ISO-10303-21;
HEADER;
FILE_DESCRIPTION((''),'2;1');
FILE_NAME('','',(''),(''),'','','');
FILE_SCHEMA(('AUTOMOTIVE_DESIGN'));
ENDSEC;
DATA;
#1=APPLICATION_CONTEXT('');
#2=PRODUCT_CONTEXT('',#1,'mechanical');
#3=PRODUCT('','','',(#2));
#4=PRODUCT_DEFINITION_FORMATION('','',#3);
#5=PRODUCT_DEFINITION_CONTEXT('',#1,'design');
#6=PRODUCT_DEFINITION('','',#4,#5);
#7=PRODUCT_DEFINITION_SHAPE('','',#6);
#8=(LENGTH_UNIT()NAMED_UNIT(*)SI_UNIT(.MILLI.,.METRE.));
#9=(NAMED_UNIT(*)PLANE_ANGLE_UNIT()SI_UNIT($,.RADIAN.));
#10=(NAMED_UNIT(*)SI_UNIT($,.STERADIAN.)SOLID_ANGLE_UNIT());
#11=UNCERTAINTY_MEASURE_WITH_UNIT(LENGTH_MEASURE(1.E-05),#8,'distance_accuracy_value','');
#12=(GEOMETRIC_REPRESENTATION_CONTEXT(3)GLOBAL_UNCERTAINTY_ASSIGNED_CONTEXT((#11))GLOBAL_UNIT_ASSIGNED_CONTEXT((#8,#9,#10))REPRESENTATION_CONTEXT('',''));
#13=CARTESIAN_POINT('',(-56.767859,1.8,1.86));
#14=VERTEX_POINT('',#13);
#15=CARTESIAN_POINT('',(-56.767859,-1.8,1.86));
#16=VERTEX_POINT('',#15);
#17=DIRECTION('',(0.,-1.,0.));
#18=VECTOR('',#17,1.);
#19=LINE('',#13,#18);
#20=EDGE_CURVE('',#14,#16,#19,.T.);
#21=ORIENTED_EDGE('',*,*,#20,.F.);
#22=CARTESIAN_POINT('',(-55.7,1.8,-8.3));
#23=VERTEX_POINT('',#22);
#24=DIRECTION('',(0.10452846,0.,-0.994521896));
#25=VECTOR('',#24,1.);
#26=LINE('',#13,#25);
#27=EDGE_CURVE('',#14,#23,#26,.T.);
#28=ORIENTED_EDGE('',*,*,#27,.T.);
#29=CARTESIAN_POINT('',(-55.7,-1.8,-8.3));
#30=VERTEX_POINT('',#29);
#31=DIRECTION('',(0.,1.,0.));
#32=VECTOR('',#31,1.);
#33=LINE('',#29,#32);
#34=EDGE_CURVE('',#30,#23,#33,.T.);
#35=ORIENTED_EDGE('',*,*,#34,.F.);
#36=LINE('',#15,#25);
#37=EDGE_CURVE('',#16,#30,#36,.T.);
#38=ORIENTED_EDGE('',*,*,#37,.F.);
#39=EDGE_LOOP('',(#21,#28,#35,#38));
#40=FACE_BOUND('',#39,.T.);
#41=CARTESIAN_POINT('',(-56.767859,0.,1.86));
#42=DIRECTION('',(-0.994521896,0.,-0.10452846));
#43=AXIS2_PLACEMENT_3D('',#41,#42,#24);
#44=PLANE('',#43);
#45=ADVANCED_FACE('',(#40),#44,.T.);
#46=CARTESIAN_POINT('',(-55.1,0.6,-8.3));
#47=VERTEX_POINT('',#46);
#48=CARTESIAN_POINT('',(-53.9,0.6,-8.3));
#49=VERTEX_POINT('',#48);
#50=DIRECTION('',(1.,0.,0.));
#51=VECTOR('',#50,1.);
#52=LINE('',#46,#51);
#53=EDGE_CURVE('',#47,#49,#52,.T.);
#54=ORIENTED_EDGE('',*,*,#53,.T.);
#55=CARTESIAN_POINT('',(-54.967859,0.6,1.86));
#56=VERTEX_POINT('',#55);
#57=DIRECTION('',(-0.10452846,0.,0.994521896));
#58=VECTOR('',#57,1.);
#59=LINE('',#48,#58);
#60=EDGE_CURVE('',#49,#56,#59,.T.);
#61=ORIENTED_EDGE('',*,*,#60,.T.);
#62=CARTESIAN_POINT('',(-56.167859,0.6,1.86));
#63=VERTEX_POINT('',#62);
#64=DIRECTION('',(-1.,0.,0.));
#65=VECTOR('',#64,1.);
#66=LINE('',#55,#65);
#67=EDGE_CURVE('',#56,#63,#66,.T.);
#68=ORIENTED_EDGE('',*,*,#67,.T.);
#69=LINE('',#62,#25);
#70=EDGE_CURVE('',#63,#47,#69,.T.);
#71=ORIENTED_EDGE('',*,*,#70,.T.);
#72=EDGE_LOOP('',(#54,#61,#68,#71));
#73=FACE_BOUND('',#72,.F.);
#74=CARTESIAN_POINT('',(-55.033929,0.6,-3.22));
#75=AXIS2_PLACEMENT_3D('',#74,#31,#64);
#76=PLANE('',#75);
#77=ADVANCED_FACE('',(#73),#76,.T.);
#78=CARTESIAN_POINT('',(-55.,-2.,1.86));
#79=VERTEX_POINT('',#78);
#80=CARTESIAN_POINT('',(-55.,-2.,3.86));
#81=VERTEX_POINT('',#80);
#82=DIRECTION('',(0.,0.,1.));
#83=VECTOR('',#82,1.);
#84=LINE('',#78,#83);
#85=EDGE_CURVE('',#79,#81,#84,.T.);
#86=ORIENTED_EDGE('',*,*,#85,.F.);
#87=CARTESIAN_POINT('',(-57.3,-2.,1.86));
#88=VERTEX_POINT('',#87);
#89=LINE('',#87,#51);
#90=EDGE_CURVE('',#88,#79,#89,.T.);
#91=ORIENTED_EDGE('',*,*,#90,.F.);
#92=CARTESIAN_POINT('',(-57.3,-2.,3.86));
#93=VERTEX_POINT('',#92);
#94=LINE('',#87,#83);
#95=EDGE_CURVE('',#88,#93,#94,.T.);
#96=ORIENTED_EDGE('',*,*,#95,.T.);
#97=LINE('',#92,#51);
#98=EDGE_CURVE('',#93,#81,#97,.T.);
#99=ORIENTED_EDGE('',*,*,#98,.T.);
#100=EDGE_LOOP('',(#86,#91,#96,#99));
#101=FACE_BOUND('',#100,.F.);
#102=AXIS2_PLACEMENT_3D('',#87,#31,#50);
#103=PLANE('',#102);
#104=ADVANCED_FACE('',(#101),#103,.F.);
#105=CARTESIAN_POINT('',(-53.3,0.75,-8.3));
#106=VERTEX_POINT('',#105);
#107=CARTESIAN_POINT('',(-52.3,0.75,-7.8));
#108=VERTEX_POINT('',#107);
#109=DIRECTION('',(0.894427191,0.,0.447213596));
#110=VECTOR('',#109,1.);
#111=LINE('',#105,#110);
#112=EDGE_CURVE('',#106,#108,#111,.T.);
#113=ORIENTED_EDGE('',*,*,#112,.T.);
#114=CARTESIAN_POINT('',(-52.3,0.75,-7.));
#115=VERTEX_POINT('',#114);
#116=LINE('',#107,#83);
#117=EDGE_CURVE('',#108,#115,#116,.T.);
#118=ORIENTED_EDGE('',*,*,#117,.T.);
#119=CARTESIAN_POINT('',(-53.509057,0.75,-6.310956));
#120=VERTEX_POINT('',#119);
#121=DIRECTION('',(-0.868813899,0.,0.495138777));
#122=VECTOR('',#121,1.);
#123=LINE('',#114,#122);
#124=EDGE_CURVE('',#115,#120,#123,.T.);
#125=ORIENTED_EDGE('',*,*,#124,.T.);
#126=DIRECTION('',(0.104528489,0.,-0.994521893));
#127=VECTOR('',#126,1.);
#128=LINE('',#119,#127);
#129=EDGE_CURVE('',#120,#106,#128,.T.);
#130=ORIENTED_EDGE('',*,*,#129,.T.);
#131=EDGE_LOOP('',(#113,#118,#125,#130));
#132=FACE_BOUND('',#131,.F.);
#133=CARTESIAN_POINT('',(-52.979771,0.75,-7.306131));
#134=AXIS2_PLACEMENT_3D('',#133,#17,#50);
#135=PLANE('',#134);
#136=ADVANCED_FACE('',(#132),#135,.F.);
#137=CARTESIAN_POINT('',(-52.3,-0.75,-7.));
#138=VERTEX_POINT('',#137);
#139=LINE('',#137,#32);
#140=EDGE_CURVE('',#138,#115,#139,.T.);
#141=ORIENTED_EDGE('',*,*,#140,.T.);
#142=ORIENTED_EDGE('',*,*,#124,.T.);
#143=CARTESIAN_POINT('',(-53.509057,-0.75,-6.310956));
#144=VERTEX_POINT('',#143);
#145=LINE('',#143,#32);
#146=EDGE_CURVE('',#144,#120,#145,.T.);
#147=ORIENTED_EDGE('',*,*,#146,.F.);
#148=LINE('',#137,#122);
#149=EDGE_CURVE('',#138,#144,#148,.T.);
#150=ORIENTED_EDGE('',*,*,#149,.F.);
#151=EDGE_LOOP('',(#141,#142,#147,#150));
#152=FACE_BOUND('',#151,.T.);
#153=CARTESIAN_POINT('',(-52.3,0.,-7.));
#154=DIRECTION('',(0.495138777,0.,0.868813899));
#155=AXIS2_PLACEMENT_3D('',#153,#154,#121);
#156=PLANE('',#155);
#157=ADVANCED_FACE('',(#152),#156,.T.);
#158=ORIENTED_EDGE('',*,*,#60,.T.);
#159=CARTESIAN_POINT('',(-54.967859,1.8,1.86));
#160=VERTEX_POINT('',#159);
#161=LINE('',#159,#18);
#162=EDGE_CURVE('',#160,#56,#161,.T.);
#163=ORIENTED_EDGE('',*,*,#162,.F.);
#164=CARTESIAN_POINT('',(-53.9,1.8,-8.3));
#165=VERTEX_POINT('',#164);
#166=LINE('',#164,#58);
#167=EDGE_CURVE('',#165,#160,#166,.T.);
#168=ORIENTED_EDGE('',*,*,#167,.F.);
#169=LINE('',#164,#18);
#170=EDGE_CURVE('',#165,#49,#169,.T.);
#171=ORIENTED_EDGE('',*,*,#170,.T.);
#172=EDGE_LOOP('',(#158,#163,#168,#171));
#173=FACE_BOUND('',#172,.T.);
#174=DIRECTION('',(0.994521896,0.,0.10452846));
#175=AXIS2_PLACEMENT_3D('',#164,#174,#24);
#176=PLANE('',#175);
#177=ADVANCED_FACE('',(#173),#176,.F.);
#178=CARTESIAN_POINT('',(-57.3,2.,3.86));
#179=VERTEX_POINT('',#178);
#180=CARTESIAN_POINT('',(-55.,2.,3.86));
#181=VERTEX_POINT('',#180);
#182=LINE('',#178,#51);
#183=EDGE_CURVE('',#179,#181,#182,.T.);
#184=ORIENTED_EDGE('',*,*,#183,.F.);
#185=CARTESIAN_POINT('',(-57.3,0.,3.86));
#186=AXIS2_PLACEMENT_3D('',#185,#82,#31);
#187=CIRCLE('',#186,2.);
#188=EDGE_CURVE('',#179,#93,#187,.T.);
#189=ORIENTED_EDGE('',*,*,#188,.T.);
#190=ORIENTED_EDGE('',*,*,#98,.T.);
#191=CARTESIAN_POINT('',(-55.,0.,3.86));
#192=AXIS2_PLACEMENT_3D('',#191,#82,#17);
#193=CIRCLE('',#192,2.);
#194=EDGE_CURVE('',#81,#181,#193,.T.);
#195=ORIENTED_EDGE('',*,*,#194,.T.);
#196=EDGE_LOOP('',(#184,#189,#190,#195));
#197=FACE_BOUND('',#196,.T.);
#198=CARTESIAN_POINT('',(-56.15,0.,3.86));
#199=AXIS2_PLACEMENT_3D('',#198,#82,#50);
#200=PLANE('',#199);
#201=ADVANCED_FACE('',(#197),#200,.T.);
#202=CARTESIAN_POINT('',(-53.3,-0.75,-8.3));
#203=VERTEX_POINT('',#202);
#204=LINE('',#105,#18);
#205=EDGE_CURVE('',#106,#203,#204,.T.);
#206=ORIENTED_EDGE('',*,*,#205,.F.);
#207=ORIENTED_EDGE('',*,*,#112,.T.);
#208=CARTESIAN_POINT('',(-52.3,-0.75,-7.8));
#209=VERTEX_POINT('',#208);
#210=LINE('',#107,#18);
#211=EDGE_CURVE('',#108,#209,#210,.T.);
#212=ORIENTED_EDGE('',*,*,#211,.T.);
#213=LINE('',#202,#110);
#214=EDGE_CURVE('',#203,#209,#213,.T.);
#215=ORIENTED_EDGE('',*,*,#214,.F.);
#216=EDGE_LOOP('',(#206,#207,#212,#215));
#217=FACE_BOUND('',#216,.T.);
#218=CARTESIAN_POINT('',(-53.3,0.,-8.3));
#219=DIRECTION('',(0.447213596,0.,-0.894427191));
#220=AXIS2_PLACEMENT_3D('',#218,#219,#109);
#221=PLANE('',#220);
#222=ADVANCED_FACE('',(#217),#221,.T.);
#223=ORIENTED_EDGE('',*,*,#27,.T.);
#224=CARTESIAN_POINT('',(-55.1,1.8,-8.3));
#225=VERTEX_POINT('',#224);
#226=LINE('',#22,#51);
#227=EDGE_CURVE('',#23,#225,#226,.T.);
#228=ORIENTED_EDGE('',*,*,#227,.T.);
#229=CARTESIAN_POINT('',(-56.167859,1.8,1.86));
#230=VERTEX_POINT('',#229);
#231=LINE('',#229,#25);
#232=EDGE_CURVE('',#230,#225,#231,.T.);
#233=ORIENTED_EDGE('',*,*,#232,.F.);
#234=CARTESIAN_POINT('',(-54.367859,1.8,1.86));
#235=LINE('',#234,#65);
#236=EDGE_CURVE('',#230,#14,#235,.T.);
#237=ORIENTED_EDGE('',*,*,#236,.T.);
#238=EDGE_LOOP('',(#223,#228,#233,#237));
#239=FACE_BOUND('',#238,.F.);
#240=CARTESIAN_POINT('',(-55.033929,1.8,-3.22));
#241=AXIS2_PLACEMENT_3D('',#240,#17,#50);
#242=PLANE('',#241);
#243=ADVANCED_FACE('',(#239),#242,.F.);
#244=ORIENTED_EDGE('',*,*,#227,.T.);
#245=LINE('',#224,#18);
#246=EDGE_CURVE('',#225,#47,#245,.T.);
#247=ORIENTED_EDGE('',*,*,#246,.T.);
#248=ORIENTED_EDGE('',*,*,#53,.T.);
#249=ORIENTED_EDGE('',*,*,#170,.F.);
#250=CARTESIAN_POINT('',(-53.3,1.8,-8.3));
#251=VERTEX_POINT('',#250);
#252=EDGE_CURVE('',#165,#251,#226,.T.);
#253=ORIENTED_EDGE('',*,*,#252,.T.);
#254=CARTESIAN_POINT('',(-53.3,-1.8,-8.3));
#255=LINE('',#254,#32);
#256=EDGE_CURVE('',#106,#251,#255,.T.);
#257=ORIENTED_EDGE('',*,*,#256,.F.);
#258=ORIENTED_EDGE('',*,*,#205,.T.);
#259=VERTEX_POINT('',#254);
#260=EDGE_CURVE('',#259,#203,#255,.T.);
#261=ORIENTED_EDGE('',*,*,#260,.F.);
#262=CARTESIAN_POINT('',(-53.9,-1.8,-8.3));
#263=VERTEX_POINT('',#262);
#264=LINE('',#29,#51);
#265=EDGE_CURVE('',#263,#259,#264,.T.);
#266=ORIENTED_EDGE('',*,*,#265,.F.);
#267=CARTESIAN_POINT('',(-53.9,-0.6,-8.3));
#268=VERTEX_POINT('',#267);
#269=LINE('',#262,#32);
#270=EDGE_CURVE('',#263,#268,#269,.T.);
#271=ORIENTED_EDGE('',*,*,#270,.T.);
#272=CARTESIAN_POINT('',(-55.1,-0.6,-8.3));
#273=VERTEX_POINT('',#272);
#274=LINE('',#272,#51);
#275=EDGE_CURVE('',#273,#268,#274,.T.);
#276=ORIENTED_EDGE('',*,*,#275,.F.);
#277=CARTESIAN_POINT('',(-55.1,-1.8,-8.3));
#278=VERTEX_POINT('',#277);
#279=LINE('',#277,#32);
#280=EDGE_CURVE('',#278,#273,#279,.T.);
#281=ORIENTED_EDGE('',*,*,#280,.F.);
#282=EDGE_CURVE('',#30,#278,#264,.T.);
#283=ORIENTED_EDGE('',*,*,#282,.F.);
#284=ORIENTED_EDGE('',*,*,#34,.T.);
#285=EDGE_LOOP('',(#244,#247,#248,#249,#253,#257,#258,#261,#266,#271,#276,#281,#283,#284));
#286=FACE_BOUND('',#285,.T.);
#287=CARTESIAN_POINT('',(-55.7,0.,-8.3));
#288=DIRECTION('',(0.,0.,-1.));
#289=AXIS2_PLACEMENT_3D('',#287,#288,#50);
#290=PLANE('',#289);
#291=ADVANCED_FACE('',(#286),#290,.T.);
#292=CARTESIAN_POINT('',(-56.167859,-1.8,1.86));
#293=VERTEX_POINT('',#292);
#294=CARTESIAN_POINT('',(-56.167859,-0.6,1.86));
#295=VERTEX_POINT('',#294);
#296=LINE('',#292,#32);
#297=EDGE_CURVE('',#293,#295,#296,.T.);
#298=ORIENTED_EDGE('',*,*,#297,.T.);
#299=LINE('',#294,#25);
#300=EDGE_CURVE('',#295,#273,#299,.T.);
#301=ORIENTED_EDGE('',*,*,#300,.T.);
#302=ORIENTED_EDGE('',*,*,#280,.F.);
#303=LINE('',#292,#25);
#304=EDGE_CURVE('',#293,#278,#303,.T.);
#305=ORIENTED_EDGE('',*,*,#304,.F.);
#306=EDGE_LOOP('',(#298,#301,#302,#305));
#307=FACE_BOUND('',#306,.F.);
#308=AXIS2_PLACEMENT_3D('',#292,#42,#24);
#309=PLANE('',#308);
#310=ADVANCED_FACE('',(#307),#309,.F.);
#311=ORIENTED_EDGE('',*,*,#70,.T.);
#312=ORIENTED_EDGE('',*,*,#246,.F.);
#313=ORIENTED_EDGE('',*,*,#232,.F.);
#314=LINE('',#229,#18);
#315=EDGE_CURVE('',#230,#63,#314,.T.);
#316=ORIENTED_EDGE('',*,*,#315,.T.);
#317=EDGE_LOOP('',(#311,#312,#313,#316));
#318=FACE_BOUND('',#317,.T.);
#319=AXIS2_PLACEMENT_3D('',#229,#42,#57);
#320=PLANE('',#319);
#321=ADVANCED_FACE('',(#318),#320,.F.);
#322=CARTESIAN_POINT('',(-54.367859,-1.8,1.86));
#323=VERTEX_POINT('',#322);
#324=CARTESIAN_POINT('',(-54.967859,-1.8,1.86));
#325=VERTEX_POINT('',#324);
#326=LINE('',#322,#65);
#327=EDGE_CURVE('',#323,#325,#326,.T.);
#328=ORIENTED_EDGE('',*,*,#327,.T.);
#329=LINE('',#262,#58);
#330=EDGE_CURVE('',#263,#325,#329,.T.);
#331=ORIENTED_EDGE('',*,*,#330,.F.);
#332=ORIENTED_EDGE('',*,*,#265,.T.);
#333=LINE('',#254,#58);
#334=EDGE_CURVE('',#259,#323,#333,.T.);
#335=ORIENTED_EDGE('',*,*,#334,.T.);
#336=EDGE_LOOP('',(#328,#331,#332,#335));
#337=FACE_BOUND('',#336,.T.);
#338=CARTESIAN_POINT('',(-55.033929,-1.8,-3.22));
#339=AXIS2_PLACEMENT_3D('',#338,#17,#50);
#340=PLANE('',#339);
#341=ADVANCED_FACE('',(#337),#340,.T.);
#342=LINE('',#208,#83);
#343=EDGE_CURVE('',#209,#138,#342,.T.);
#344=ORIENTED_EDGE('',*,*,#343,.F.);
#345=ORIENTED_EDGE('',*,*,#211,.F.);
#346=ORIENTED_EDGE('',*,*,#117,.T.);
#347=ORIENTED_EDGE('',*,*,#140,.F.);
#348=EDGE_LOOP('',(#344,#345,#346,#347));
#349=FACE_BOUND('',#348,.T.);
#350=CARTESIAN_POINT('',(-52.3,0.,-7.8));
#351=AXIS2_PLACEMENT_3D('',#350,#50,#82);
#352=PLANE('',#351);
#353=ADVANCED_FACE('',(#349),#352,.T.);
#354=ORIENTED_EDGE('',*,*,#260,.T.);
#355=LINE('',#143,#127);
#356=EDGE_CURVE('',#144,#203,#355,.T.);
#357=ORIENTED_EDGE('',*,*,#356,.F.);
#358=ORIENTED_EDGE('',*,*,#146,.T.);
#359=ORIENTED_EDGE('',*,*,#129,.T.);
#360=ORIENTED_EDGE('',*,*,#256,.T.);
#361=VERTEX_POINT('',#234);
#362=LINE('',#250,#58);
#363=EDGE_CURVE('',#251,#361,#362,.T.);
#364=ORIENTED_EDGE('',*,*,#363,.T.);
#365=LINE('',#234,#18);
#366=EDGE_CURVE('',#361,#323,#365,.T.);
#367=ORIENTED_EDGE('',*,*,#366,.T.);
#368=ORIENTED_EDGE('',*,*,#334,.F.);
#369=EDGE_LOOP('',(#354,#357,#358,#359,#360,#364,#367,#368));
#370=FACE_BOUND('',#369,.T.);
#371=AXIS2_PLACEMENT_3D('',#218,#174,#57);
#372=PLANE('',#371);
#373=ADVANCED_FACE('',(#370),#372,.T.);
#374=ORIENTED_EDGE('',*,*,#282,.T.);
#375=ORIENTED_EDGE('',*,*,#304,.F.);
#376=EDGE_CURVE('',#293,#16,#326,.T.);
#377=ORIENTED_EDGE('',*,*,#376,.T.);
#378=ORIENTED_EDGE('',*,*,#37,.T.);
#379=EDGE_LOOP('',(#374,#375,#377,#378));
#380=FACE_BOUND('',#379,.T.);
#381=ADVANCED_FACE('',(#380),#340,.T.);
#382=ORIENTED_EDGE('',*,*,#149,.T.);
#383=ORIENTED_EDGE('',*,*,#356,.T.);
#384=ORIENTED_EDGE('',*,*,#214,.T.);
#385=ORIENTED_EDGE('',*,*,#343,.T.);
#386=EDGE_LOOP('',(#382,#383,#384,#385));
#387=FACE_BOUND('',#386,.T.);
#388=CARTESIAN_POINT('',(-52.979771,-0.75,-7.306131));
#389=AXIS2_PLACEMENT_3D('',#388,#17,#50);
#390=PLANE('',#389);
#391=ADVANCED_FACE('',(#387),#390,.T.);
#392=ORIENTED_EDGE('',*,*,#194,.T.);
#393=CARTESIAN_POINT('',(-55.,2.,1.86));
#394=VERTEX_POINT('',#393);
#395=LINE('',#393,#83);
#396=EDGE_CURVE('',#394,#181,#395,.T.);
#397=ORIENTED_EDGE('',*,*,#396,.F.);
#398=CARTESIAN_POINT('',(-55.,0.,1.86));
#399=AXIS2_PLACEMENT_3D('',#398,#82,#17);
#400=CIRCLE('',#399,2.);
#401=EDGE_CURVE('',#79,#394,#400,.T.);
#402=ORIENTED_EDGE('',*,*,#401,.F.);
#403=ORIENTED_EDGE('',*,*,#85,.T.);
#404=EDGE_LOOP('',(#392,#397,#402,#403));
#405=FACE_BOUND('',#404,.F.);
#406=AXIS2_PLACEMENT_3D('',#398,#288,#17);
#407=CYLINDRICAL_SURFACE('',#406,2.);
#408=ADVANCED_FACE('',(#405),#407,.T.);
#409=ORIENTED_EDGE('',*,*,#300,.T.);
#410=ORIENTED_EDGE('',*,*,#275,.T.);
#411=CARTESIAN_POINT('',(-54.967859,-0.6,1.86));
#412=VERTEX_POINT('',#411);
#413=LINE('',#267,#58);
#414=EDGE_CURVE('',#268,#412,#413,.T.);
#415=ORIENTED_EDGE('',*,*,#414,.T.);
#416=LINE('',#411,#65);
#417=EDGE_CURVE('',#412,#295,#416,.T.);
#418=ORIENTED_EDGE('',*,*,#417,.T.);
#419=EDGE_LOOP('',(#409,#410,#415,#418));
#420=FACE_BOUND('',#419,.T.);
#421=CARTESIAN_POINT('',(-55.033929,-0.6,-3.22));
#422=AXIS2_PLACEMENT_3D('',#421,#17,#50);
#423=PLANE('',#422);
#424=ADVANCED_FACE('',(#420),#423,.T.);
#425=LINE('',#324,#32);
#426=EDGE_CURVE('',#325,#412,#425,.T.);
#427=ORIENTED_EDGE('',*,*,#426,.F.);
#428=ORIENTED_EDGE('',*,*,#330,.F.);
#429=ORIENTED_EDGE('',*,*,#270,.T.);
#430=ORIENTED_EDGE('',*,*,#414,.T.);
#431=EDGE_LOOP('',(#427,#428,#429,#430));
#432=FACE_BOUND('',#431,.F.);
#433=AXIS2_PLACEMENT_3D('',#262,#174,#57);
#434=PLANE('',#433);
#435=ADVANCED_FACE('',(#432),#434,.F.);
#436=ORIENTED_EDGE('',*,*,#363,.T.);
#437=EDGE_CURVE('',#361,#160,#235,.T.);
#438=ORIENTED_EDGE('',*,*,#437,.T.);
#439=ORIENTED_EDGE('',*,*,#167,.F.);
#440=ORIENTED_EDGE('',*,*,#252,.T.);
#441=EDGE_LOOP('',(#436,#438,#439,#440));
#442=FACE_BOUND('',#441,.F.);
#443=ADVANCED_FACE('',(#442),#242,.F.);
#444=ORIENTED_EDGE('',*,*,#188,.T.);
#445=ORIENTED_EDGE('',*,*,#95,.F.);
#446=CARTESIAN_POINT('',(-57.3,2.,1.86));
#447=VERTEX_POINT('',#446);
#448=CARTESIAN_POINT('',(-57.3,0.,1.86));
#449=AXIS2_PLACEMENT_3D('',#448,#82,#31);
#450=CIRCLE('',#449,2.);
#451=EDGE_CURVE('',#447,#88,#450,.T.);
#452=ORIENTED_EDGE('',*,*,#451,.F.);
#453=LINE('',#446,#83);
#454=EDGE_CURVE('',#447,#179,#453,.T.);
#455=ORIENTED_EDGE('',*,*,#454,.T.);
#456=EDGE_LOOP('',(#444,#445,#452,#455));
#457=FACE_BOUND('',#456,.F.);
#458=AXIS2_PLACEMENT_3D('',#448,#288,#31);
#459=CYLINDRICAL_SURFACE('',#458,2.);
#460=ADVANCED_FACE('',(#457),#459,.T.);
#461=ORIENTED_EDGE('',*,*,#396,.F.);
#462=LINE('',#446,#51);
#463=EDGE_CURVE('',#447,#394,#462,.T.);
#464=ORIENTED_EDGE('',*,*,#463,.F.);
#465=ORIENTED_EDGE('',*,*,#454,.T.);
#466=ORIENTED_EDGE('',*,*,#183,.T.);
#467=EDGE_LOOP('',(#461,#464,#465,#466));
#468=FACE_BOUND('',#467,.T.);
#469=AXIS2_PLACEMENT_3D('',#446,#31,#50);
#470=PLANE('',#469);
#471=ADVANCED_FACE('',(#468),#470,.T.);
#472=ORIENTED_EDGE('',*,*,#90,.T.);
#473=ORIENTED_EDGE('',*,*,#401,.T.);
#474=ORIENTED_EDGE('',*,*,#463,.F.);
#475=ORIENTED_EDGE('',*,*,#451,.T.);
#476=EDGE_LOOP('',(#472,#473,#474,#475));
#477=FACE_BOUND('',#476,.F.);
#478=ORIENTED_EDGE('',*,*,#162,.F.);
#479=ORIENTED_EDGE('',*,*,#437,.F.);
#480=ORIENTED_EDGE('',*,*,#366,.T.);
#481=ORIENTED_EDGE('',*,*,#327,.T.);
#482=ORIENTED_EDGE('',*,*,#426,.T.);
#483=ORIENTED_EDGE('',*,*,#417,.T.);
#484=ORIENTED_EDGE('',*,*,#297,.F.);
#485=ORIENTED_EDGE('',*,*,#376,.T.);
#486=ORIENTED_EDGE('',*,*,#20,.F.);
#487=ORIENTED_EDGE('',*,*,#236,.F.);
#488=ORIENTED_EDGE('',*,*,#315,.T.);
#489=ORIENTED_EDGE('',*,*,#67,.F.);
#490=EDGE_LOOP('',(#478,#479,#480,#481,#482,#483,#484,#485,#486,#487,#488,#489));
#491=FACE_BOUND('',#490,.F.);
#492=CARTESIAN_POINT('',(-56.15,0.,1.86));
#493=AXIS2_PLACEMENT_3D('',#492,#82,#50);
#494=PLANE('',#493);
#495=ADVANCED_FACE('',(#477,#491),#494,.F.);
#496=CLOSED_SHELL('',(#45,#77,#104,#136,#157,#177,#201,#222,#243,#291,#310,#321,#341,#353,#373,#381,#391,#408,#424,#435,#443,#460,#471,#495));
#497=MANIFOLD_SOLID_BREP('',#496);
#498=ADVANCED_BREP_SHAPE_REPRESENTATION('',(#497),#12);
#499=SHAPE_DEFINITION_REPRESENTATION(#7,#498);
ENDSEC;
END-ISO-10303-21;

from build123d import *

# Parameters (mm, degrees)
PAD005_DEPTH    = 1.8
POCKET004_DEPTH = 1.2
PAD007_DEPTH    = 2
PAD011_DEPTH    = 0.75


with BuildPart() as part:
    # Sketch008 → Pad005 (new body, symmetric)
    with BuildSketch(Plane.XZ):
        Polygon((-53.3, -8.3), (-54.367859, 1.86), (-56.767859, 1.86), (-55.7, -8.3), align=None)
    extrude(amount=PAD005_DEPTH, both=True)

    # Sketch010 (on DatumPlane) → Pocket004 (cut)
    with BuildSketch(Plane.XZ.offset(1.8)):
        Polygon((-53.9, -8.3), (-54.967859, 1.86), (-56.167859, 1.86), (-55.1, -8.3), align=None)
    pocket004 = extrude(amount=-POCKET004_DEPTH, mode=Mode.SUBTRACT)

    # Mirrored002: Pocket004 across XZ
    add(pocket004.mirror(Plane.XZ), mode=Mode.SUBTRACT)

    # Sketch014 (on DatumPlane) → Pad007 (join)
    with BuildSketch(Plane.XY.offset(1.86)):
        with BuildLine():
            ThreePointArc((-57.3, 2), (-59.3, 0), (-57.3, -2))
            Line((-57.3, -2), (-55, -2))
            ThreePointArc((-55, -2), (-53, 0), (-55, 2))
            Line((-57.3, 2), (-55, 2))
        make_face()
    extrude(amount=PAD007_DEPTH)

    # Sketch023 → Pad011 (join, symmetric)
    with BuildSketch(Plane.XZ):
        Polygon((-53.509057, -6.310956), (-53.3, -8.3), (-52.3, -7.8), (-52.3, -7), align=None)
    extrude(amount=PAD011_DEPTH, both=True)


solid = part.part
